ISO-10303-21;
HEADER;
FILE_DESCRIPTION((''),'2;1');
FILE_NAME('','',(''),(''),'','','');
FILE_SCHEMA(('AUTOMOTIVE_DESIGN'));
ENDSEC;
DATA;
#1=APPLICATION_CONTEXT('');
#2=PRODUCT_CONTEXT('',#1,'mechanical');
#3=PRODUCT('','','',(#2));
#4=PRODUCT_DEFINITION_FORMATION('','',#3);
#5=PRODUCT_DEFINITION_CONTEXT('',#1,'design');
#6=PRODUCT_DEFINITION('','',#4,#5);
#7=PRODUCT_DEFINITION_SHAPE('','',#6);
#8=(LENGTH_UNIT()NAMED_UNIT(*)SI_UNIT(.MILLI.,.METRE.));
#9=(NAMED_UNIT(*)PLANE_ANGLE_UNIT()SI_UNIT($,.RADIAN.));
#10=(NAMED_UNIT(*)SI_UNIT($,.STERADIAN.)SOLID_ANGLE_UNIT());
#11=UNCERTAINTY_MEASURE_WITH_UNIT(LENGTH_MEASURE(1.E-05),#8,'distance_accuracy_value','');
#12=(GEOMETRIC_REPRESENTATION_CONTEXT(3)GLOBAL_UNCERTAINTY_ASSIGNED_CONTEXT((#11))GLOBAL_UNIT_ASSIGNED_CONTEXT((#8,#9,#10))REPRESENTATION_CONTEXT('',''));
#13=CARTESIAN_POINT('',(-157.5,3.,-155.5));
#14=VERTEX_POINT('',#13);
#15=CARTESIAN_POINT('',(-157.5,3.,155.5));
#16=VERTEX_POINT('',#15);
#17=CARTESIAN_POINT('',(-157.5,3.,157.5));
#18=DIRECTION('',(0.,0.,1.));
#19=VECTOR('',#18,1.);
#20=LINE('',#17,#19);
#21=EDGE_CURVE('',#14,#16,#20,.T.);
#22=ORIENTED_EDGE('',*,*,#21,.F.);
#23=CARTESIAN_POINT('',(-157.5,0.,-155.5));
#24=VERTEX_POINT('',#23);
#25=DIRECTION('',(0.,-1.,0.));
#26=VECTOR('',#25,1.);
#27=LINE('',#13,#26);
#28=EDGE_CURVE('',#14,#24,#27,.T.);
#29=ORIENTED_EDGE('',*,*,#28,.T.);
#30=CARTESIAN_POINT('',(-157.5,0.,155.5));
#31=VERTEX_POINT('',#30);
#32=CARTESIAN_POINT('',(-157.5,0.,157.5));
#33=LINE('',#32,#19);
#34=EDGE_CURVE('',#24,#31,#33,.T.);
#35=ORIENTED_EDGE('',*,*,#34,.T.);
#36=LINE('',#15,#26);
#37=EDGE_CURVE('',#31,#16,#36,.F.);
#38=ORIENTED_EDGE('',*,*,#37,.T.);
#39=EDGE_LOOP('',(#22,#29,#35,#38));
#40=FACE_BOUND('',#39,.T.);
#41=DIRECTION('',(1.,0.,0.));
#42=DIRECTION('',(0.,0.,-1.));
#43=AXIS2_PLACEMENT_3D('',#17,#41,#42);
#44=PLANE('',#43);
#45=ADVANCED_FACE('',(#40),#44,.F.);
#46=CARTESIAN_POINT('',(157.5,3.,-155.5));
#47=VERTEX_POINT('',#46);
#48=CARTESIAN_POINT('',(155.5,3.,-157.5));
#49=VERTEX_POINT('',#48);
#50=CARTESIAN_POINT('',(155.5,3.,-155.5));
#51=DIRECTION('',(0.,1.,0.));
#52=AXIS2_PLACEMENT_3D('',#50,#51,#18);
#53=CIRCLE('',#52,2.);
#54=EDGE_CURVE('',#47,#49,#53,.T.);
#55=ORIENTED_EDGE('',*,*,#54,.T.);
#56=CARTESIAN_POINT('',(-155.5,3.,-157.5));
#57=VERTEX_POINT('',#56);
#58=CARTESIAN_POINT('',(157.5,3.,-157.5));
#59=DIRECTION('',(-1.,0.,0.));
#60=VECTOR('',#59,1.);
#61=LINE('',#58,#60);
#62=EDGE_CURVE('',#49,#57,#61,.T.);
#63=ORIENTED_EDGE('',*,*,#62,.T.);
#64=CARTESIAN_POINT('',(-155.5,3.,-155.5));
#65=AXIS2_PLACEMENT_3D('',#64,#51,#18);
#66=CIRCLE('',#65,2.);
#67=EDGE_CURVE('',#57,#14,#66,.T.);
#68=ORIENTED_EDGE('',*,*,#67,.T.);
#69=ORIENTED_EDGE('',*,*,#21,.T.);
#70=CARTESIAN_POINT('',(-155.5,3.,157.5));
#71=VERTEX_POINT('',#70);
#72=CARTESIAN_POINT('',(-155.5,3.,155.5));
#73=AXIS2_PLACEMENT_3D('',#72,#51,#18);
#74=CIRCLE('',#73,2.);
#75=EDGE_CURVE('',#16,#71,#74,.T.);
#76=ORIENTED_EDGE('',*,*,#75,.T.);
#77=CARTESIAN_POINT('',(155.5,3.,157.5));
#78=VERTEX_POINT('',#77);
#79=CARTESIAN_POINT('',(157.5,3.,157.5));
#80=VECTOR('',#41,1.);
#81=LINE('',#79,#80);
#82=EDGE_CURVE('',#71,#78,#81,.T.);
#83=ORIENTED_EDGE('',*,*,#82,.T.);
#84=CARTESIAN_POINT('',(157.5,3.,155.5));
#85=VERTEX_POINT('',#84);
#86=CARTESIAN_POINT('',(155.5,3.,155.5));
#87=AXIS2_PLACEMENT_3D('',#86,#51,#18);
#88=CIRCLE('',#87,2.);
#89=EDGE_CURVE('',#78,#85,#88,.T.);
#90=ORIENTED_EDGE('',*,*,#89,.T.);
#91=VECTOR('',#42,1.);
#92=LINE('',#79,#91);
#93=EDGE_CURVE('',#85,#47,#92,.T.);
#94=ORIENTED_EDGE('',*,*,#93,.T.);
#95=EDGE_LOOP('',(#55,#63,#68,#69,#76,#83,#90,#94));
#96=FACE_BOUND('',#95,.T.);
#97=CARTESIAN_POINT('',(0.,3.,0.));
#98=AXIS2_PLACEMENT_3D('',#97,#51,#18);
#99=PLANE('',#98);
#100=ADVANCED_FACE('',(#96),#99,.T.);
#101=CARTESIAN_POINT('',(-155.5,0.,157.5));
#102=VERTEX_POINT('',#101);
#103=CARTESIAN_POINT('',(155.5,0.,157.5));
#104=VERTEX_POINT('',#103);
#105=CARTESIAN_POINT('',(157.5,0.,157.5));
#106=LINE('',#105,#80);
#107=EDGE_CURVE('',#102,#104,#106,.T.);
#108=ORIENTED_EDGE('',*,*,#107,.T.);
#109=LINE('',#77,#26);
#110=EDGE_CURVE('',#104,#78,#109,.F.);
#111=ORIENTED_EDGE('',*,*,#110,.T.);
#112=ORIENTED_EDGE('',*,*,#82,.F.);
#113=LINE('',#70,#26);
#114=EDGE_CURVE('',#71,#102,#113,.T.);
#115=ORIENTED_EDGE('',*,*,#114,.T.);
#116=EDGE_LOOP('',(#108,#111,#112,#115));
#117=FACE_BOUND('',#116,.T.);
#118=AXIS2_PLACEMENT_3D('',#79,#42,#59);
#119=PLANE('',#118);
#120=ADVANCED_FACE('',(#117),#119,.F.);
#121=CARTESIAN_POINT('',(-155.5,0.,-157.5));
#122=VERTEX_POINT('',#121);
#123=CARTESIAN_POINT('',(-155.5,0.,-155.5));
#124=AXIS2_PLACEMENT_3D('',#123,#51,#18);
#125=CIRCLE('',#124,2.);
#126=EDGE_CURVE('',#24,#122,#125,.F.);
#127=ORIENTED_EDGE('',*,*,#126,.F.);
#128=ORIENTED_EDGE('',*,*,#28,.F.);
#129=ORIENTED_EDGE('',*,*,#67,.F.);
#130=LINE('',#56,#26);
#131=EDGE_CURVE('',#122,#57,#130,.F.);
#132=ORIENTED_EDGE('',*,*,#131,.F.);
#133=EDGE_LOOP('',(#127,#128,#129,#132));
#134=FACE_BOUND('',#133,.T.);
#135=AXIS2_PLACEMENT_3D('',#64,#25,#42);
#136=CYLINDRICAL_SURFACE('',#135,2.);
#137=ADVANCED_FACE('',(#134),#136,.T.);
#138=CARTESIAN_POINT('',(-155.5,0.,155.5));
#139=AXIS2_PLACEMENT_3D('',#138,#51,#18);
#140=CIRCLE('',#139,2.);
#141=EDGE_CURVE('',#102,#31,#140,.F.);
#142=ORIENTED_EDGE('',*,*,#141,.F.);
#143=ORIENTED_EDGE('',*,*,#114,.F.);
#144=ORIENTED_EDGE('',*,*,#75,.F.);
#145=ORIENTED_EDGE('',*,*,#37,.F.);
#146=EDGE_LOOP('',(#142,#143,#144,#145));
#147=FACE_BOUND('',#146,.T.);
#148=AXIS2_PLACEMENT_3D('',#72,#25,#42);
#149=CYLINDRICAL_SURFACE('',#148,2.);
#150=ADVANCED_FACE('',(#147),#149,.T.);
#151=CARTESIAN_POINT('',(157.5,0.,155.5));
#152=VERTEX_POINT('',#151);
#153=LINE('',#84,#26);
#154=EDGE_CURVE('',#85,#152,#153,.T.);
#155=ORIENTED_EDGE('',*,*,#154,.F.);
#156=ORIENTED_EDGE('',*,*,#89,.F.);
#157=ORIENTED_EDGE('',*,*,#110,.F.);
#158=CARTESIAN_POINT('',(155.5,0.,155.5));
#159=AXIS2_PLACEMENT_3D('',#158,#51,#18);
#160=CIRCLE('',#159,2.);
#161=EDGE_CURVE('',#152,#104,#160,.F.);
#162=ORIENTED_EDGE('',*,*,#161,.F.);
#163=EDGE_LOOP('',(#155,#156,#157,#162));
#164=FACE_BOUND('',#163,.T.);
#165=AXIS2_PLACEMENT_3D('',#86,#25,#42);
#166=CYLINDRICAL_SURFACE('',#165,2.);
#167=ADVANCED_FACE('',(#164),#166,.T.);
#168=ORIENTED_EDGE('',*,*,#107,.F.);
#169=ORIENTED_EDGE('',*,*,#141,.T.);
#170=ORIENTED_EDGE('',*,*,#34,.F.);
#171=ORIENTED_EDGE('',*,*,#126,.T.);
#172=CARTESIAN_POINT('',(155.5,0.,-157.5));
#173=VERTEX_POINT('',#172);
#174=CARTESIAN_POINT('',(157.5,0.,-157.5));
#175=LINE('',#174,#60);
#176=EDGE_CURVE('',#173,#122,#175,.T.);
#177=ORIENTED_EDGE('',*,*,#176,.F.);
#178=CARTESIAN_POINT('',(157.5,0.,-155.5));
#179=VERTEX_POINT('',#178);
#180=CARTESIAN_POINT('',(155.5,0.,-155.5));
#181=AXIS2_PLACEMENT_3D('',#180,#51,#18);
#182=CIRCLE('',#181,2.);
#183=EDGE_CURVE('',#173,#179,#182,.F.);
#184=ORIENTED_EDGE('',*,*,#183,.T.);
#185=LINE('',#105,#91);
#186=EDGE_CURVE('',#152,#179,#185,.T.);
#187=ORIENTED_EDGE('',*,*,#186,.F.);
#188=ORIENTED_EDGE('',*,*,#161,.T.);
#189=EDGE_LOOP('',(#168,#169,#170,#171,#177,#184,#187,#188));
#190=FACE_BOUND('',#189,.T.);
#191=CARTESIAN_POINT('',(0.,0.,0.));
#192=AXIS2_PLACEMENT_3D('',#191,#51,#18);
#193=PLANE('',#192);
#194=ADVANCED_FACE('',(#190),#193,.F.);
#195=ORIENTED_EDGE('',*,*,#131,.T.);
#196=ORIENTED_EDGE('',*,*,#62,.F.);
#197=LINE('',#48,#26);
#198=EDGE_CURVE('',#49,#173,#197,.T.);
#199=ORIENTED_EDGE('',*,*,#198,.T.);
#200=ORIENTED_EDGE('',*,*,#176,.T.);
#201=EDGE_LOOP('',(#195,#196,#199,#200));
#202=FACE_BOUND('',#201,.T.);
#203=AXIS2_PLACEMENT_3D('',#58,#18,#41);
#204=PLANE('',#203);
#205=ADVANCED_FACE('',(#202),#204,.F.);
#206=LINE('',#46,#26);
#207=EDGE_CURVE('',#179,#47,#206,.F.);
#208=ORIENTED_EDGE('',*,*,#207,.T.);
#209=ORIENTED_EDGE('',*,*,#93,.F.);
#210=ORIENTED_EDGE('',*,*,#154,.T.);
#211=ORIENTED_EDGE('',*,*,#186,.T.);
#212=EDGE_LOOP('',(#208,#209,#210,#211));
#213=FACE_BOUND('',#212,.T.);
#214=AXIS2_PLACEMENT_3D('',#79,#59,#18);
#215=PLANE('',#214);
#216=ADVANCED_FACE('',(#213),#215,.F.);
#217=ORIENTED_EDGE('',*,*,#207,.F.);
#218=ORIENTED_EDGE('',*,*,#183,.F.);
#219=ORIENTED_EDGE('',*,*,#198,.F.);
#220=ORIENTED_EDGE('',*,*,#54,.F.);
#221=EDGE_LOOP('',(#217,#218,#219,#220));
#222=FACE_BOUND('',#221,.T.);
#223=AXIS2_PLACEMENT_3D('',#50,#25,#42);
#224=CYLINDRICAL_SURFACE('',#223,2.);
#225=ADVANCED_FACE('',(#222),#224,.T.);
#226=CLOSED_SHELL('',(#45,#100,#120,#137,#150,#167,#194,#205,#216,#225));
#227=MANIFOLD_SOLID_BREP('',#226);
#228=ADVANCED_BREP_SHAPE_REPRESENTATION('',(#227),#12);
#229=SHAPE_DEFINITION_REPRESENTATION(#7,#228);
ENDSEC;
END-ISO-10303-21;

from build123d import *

# Parameters (mm, degrees)
SKETCH1_W           = 315
SKETCH1_H           = 315
BOSS_EXTRUDE1_DEPTH = 3
FILLET1_R           = 2


with BuildPart() as part:
    # Sketch1 → Boss-Extrude1 (new body)
    with BuildSketch(Plane(origin=(0, 0, 0), x_dir=(1, 0, 0), z_dir=(0, 1, 0))):
        Rectangle(SKETCH1_W, SKETCH1_H)
    extrude(amount=BOSS_EXTRUDE1_DEPTH)

    # Fillet1
    fillet1_edges = [part.edges().sort_by_distance(p)[0] for p in [
        (-157.5, 1.5, -157.5),
        (157.5, 1.5, -157.5),
        (157.5, 1.5, 157.5),
        (-157.5, 1.5, 157.5),
    ]]
    fillet(fillet1_edges, radius=FILLET1_R)


solid = part.part
